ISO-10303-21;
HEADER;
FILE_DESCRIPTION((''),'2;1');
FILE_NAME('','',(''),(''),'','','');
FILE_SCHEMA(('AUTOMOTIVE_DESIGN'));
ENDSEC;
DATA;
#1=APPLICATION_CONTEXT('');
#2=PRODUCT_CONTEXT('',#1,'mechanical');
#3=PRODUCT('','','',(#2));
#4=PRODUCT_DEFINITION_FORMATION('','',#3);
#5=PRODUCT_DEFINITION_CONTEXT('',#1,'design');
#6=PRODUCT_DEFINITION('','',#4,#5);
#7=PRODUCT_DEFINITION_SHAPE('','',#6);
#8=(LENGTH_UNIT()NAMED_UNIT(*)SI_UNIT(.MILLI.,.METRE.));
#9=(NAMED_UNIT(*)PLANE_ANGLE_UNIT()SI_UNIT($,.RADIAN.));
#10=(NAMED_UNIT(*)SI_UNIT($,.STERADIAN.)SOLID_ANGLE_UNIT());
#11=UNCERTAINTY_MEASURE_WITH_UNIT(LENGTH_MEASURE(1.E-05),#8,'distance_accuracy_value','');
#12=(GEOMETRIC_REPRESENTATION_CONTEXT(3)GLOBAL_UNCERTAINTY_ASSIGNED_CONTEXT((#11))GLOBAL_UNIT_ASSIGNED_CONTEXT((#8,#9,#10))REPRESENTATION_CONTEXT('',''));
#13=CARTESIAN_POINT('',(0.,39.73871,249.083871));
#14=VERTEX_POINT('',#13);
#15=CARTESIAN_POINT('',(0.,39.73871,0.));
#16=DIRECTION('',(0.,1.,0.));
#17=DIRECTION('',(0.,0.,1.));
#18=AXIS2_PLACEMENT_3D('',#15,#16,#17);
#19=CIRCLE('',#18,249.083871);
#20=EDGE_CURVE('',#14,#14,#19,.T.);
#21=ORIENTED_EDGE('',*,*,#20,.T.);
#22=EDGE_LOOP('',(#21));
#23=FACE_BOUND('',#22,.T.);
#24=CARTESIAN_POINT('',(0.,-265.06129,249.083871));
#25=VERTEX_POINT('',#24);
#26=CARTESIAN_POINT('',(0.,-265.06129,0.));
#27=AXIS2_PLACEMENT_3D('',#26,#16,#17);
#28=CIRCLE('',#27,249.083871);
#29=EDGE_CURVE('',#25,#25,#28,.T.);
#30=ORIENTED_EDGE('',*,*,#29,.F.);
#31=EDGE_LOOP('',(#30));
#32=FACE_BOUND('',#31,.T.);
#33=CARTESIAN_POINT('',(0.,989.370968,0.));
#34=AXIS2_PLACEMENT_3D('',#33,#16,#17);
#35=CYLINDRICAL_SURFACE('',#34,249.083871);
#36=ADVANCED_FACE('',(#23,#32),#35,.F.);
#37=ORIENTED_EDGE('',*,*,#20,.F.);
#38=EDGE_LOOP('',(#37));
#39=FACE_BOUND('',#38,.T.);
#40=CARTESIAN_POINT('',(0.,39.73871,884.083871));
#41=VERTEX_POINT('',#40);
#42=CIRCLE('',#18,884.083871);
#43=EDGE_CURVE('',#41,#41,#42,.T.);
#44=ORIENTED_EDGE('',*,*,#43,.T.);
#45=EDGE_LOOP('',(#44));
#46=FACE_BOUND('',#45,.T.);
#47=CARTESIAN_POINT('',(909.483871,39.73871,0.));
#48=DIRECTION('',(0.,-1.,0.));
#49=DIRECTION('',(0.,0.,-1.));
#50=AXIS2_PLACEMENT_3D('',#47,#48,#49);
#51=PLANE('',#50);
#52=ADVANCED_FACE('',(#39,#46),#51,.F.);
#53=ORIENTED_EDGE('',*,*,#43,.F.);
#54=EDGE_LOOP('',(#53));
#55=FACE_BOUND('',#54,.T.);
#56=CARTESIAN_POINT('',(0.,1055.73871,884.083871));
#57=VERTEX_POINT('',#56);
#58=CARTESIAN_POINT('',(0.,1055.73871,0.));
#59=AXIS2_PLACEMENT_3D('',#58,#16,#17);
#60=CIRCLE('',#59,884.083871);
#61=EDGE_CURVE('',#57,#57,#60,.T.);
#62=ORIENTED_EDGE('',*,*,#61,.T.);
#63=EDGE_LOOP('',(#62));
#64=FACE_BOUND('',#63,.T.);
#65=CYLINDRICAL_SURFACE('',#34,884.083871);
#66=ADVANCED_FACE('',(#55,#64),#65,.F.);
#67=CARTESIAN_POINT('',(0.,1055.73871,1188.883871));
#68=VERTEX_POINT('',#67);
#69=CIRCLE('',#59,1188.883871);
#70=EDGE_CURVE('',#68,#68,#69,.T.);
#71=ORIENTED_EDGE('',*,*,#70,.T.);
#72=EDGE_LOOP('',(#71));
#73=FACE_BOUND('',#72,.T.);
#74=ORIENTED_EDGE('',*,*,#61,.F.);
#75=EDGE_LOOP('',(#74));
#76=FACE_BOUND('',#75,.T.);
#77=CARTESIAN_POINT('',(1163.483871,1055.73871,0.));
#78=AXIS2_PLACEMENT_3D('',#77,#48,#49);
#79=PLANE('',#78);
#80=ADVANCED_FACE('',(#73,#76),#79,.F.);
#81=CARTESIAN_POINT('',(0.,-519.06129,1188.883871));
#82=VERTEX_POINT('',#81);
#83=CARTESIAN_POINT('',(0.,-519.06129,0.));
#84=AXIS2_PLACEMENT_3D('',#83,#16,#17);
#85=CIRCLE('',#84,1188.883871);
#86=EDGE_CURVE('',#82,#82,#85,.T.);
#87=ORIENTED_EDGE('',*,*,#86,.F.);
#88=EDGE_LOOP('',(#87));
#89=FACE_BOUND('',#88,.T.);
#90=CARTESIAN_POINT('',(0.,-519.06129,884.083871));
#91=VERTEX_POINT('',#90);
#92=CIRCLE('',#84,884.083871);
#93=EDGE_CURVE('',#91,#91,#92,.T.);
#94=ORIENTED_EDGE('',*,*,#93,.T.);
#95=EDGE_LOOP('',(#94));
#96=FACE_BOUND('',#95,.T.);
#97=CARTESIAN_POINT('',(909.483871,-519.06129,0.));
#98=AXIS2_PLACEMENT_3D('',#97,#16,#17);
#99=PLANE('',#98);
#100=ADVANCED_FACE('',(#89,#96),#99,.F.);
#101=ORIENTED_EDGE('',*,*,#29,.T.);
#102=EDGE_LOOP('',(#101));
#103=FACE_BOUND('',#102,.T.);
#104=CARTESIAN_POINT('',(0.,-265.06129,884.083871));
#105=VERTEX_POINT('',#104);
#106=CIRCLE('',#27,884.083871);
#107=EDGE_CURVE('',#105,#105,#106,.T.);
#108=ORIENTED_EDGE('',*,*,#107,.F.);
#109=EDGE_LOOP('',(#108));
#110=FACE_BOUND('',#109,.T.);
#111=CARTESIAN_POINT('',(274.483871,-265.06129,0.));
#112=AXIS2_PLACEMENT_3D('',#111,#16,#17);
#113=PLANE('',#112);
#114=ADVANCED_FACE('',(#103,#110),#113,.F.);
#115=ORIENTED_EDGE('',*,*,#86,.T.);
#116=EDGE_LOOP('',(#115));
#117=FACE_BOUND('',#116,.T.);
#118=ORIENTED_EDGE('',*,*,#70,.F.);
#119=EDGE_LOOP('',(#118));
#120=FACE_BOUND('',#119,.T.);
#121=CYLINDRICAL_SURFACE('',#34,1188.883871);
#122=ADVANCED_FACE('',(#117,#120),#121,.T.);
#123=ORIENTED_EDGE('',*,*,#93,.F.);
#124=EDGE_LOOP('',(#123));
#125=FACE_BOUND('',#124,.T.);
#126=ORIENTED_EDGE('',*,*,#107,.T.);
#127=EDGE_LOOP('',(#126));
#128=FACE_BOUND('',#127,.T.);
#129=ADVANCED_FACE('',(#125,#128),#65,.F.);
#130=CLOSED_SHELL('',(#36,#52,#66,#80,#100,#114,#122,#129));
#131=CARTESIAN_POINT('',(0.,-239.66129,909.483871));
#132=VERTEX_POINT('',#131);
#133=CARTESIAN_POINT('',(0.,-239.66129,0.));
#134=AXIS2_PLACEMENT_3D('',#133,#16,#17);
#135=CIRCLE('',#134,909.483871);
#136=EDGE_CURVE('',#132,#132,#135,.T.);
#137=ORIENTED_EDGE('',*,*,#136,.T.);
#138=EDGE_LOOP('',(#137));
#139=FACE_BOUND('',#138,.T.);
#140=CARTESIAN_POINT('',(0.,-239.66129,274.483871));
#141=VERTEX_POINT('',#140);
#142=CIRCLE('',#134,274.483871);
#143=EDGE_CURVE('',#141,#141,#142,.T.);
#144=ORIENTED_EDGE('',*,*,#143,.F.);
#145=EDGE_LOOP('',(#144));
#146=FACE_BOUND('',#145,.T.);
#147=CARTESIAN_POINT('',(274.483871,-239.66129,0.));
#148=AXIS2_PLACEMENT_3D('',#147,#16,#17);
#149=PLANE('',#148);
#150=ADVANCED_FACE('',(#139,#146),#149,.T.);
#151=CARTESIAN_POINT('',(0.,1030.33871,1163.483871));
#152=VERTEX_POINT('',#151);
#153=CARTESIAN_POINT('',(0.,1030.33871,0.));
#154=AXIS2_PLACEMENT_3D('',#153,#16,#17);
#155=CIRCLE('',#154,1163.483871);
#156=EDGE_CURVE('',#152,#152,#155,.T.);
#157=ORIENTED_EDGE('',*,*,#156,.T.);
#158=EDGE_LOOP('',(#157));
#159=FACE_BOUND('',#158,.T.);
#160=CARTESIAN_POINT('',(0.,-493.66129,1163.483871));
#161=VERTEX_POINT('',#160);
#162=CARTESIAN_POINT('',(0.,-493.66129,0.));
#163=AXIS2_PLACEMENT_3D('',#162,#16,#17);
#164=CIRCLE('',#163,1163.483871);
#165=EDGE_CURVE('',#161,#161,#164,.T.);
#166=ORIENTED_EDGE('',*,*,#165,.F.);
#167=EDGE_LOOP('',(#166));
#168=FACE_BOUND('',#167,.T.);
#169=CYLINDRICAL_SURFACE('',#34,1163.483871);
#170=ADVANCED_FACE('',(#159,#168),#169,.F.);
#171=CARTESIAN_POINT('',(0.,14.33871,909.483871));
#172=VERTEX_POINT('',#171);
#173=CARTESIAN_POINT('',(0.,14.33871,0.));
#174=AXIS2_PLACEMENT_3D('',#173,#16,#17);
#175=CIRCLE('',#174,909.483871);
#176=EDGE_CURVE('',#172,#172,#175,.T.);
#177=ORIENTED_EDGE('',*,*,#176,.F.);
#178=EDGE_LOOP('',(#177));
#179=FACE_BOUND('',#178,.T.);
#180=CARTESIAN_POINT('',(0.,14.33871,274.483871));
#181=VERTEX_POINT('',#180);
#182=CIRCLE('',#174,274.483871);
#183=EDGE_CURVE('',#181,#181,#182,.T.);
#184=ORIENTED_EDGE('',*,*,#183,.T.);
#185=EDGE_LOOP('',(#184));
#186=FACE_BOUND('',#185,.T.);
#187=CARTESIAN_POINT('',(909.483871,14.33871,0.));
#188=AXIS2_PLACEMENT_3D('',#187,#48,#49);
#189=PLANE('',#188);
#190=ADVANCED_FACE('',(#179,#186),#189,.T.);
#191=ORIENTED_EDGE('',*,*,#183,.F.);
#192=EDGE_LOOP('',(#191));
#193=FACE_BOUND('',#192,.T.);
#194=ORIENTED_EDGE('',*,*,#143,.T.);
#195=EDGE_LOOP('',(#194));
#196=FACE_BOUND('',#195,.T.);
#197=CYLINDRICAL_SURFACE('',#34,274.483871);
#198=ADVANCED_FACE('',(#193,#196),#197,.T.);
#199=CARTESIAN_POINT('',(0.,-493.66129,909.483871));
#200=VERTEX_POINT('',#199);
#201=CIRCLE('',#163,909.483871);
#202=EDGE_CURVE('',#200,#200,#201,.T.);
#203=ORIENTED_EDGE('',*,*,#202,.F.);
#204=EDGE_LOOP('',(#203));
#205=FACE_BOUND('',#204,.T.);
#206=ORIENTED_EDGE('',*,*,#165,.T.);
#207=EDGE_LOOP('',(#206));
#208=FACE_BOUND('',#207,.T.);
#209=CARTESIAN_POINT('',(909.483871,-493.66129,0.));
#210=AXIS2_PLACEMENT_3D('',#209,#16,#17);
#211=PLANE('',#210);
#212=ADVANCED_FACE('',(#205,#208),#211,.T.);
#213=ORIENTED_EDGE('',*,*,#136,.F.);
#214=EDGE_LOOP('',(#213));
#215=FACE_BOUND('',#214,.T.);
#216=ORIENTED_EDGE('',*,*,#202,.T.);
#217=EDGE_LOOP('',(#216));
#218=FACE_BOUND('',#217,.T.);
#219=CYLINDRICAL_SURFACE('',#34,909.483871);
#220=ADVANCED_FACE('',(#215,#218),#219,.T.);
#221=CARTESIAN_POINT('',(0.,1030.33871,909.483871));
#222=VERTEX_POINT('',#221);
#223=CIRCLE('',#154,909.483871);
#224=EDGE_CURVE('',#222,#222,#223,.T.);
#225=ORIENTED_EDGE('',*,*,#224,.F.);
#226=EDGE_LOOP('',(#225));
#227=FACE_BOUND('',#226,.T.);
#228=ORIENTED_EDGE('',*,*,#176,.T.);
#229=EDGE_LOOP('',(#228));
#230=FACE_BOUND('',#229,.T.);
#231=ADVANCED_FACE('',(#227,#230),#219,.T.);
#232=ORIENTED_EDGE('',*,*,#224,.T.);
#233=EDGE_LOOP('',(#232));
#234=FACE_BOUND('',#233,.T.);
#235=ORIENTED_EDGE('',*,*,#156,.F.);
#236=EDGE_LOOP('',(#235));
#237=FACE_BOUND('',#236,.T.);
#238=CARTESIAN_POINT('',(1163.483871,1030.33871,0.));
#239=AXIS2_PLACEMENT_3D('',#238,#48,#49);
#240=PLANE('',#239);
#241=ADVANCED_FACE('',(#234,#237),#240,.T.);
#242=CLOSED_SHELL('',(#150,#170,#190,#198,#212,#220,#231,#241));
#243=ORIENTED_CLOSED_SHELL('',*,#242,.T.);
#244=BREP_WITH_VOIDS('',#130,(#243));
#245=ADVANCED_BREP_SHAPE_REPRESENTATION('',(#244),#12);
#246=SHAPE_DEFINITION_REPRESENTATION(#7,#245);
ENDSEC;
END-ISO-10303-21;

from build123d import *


with BuildPart() as part:
    # Sketch1 → Revolve-Thin1 (revolve)
    with BuildSketch(Plane.XY, mode=Mode.PRIVATE) as revolve_thin1_sk:
        Polygon((249.083870968, 39.738709677), (249.083870968, -265.061290323), (884.083870968, -265.061290323), (884.083870968, -519.061290323), (1188.883870968, -519.061290323), (1188.883870968, 1055.738709677), (884.083870968, 1055.738709677), (884.083870968, 39.738709677), align=None)
        Polygon((274.483870968, 14.338709677), (274.483870968, -239.661290323), (909.483870968, -239.661290323), (909.483870968, -493.661290323), (1163.483870968, -493.661290323), (1163.483870968, 1030.338709677), (909.483870968, 1030.338709677), (909.483870968, 14.338709677), align=None, mode=Mode.SUBTRACT)
    revolve(revolve_thin1_sk.sketch.rotate(Axis((0, 989.370967742, 0), (0, -1, 0)), 90), axis=Axis((0, 989.370967742, 0), (0, -1, 0)))


solid = part.part
